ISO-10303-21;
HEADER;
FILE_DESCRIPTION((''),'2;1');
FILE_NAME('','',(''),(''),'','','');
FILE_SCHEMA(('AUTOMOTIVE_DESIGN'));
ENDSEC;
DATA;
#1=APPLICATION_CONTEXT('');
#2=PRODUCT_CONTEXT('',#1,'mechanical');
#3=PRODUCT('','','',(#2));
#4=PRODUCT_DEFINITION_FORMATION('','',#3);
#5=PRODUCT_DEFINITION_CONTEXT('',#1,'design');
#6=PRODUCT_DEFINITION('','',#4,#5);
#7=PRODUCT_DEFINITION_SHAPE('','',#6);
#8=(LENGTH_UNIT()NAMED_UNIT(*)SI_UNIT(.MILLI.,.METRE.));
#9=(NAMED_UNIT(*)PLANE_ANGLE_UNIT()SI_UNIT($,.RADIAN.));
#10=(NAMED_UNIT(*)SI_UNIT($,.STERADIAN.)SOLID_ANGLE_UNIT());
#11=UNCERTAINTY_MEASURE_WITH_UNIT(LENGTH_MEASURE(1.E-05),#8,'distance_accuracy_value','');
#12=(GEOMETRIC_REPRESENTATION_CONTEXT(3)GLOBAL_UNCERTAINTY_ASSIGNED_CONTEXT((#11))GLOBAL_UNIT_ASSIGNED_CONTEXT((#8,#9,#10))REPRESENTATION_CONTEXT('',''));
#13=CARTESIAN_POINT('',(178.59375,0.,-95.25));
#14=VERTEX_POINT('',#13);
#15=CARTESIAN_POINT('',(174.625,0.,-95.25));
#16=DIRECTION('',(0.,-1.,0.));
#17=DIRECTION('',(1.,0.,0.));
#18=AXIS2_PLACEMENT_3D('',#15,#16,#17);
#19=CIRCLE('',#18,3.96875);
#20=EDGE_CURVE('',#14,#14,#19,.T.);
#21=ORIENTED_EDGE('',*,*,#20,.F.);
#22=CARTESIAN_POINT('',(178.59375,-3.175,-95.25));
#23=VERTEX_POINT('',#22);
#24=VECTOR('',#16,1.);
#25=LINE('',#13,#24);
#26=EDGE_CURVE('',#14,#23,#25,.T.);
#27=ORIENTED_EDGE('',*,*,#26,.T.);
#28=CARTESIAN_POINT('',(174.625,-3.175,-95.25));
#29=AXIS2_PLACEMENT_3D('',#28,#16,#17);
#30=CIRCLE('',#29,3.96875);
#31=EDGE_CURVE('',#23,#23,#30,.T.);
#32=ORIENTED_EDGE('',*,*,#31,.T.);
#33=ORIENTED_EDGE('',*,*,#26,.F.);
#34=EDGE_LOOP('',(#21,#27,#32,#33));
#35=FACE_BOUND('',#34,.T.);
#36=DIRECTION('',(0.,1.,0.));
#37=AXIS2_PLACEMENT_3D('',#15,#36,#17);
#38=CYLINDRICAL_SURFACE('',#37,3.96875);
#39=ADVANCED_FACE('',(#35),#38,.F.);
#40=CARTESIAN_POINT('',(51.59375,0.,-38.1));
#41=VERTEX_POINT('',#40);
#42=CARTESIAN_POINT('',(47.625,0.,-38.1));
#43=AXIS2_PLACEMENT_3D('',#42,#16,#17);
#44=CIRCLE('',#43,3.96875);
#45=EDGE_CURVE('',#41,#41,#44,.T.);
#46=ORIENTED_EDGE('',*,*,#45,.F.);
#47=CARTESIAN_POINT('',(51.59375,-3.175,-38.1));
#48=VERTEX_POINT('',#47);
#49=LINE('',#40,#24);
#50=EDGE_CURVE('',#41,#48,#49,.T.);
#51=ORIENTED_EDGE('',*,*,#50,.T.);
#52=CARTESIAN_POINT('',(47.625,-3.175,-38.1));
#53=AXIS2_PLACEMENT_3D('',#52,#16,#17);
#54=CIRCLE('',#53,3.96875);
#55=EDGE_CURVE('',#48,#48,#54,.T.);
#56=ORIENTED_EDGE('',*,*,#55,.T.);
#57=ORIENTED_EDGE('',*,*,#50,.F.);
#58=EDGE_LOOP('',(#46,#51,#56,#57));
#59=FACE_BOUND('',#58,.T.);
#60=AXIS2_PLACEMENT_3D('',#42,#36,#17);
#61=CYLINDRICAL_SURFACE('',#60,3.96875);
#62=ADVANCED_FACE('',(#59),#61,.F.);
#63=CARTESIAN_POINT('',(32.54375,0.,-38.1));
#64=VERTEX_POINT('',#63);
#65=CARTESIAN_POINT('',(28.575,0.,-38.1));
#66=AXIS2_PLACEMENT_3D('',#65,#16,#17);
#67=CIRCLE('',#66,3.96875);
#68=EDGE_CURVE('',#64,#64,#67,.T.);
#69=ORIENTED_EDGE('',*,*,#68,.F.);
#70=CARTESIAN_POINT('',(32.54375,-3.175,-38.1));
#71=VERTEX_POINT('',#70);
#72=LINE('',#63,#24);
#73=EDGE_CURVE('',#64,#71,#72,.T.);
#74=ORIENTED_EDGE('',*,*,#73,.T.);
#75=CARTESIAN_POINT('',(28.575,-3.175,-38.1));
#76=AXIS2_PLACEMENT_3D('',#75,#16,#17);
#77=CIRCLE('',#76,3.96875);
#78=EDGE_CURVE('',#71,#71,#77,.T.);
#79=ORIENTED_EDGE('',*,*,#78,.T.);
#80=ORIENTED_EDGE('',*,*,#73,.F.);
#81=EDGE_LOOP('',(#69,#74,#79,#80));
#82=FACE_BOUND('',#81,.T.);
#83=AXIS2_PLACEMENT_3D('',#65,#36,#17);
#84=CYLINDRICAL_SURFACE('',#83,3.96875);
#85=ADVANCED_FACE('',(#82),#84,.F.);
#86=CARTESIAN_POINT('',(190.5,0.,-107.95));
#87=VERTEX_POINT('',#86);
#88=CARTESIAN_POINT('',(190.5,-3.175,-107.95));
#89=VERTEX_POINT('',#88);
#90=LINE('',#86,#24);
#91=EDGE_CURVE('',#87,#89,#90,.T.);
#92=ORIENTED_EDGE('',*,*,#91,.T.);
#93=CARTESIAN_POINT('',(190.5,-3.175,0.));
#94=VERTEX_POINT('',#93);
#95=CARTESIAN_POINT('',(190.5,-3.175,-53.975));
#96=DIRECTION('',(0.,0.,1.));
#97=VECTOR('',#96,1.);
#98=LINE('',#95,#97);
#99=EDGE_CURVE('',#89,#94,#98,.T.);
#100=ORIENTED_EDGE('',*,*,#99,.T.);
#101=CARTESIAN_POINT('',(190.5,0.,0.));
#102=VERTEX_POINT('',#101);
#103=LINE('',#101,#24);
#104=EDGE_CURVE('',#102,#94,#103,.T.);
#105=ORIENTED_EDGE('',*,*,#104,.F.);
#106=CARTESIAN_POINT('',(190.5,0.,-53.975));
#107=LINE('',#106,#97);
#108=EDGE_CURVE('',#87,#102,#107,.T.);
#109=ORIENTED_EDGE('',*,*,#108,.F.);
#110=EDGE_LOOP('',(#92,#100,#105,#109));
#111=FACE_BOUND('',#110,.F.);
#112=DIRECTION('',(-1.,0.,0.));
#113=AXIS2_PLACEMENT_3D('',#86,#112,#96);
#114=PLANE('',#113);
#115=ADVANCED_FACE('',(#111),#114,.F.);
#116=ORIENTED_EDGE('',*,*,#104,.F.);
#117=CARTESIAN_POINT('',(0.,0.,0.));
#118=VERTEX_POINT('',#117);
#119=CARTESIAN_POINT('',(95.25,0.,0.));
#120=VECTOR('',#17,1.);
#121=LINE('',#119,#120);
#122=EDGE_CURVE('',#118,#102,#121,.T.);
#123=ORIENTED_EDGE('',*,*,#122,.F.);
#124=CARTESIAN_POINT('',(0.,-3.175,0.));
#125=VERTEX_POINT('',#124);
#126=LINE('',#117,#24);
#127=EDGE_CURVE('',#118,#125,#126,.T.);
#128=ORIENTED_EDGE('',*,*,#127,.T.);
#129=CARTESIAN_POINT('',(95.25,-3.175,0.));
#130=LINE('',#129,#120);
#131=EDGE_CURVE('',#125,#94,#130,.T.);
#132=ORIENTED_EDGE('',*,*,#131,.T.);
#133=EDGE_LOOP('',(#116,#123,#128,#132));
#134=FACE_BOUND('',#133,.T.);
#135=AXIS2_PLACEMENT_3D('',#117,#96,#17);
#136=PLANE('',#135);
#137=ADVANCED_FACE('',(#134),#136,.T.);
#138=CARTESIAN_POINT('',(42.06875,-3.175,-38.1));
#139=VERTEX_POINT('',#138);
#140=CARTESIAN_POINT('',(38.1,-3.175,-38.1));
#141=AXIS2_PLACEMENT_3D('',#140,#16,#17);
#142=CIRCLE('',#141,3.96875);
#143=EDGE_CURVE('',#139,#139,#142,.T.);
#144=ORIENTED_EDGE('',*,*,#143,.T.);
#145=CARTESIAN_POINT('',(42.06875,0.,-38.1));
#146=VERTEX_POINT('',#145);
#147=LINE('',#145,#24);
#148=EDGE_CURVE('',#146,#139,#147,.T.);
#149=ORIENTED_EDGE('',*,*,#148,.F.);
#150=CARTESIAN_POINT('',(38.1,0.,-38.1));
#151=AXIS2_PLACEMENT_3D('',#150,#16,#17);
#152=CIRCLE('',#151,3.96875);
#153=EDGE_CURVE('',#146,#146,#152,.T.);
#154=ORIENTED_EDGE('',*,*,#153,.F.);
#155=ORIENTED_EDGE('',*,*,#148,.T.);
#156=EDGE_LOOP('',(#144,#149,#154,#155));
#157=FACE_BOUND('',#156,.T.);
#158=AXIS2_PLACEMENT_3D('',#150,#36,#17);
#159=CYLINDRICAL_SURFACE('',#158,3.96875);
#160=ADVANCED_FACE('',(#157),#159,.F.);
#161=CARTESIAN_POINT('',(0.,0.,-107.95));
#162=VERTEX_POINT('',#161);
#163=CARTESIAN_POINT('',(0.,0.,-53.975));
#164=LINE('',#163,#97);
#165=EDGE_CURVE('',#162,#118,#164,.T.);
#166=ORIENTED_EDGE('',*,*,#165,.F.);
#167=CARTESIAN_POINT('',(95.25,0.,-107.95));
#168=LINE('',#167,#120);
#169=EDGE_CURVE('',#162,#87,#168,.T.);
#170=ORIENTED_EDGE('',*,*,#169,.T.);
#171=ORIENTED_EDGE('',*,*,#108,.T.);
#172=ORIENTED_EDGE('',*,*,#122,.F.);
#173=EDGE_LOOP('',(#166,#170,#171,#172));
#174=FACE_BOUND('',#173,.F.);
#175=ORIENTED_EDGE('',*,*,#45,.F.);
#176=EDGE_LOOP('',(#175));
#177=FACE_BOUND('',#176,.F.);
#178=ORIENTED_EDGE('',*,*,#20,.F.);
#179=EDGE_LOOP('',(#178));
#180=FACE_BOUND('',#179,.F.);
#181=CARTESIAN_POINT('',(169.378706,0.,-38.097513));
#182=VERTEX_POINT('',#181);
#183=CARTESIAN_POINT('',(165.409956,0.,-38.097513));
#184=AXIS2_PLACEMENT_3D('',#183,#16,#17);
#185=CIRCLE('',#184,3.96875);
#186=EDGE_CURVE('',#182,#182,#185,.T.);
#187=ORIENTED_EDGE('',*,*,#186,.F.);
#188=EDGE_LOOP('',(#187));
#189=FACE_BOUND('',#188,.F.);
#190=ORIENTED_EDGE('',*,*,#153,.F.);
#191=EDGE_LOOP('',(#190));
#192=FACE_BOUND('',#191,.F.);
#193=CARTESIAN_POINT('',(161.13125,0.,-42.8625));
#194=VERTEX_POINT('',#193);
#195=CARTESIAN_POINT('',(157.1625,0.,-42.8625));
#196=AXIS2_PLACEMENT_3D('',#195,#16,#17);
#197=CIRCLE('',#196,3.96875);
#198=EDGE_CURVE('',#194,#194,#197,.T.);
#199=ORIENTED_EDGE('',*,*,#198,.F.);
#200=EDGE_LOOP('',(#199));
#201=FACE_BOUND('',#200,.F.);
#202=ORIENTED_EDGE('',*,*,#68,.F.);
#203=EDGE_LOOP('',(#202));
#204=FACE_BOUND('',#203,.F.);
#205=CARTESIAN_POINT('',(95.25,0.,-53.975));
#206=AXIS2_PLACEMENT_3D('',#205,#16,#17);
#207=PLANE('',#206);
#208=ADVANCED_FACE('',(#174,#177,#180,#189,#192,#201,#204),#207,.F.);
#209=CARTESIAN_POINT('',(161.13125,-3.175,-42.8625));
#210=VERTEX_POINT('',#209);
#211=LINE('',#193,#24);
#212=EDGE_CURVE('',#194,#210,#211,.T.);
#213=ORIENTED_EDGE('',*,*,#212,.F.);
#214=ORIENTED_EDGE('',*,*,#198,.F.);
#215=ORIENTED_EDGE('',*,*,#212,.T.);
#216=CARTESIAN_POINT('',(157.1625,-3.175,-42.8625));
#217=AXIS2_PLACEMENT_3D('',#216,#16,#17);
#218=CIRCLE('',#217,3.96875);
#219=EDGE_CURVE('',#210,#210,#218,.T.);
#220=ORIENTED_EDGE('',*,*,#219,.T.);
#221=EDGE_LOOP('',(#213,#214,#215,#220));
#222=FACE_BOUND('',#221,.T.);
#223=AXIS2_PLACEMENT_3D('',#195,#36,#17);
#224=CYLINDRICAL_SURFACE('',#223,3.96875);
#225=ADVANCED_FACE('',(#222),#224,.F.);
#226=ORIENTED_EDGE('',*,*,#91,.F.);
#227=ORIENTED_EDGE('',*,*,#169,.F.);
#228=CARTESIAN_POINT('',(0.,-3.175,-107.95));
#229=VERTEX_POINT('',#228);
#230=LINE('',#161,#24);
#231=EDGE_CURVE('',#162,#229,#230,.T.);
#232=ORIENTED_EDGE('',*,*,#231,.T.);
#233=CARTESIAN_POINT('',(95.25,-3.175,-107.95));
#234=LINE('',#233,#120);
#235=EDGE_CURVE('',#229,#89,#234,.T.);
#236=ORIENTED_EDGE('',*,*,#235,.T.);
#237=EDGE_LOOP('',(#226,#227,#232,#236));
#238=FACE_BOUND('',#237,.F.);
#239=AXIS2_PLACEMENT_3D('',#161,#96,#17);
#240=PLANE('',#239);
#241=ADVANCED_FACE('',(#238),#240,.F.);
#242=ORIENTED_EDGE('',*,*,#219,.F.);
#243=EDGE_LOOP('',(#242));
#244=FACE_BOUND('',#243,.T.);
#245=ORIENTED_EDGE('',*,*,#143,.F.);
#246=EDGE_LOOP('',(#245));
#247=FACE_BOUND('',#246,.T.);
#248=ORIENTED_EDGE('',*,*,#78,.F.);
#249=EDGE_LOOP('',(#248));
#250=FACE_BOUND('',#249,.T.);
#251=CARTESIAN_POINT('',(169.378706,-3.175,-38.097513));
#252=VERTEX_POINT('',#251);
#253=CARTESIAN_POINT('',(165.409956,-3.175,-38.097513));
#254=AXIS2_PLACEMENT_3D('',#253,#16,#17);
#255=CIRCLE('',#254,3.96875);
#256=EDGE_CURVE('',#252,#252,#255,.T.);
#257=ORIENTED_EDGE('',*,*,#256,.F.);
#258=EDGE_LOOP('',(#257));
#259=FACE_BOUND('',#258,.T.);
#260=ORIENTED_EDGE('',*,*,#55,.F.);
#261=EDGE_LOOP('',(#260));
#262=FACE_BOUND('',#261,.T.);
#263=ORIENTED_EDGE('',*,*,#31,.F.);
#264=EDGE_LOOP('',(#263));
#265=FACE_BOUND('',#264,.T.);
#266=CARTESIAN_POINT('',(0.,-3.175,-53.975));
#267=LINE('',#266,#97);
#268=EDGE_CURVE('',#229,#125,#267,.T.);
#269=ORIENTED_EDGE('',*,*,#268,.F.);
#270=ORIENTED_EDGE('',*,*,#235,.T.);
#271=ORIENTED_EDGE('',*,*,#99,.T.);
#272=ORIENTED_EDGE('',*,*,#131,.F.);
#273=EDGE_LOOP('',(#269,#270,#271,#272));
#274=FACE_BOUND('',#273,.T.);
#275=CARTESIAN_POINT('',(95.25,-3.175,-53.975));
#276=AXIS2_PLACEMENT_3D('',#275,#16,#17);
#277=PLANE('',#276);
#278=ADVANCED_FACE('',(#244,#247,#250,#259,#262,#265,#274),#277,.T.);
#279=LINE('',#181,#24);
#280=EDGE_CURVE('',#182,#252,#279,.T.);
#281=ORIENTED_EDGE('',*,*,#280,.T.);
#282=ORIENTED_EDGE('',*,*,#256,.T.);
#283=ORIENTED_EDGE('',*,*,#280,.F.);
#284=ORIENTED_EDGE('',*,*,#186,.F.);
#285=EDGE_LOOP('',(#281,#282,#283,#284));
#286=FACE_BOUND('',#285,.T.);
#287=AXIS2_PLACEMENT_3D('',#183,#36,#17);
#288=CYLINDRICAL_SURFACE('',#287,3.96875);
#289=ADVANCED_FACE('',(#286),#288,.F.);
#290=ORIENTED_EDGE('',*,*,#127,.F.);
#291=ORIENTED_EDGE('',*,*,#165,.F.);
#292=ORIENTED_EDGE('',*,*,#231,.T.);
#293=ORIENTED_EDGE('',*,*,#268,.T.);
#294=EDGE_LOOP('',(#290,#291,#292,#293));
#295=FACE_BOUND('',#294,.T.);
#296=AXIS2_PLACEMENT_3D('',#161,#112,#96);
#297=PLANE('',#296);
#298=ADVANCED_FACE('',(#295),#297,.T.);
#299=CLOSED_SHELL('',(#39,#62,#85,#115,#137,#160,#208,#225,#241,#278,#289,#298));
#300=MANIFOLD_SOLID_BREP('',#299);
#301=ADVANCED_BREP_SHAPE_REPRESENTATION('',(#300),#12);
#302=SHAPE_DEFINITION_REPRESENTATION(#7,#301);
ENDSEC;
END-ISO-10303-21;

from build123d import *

# Parameters (mm, degrees)
F0_W     = 190.5
F0_H     = 107.95
F0_R     = 3.96875
F1_DEPTH = 3.175


with BuildPart() as f1:
    # F0 (on Front) → F1 (new body)
    with BuildSketch(Plane.XZ):
        with Locations((95.25, -53.975)):
            Rectangle(F0_W, F0_H)
        with Locations((174.625, -95.25)):
            Circle(F0_R, mode=Mode.SUBTRACT)
        with Locations((28.575, -38.1)):
            Circle(F0_R, mode=Mode.SUBTRACT)
        with Locations((38.1, -38.1)):
            Circle(F0_R, mode=Mode.SUBTRACT)
        with Locations((47.625, -38.1)):
            Circle(F0_R, mode=Mode.SUBTRACT)
        with Locations((157.1625, -42.8625)):
            Circle(F0_R, mode=Mode.SUBTRACT)
        with Locations((165.409956, -38.097513)):
            Circle(F0_R, mode=Mode.SUBTRACT)
    extrude(amount=F1_DEPTH)


solid = f1.part
